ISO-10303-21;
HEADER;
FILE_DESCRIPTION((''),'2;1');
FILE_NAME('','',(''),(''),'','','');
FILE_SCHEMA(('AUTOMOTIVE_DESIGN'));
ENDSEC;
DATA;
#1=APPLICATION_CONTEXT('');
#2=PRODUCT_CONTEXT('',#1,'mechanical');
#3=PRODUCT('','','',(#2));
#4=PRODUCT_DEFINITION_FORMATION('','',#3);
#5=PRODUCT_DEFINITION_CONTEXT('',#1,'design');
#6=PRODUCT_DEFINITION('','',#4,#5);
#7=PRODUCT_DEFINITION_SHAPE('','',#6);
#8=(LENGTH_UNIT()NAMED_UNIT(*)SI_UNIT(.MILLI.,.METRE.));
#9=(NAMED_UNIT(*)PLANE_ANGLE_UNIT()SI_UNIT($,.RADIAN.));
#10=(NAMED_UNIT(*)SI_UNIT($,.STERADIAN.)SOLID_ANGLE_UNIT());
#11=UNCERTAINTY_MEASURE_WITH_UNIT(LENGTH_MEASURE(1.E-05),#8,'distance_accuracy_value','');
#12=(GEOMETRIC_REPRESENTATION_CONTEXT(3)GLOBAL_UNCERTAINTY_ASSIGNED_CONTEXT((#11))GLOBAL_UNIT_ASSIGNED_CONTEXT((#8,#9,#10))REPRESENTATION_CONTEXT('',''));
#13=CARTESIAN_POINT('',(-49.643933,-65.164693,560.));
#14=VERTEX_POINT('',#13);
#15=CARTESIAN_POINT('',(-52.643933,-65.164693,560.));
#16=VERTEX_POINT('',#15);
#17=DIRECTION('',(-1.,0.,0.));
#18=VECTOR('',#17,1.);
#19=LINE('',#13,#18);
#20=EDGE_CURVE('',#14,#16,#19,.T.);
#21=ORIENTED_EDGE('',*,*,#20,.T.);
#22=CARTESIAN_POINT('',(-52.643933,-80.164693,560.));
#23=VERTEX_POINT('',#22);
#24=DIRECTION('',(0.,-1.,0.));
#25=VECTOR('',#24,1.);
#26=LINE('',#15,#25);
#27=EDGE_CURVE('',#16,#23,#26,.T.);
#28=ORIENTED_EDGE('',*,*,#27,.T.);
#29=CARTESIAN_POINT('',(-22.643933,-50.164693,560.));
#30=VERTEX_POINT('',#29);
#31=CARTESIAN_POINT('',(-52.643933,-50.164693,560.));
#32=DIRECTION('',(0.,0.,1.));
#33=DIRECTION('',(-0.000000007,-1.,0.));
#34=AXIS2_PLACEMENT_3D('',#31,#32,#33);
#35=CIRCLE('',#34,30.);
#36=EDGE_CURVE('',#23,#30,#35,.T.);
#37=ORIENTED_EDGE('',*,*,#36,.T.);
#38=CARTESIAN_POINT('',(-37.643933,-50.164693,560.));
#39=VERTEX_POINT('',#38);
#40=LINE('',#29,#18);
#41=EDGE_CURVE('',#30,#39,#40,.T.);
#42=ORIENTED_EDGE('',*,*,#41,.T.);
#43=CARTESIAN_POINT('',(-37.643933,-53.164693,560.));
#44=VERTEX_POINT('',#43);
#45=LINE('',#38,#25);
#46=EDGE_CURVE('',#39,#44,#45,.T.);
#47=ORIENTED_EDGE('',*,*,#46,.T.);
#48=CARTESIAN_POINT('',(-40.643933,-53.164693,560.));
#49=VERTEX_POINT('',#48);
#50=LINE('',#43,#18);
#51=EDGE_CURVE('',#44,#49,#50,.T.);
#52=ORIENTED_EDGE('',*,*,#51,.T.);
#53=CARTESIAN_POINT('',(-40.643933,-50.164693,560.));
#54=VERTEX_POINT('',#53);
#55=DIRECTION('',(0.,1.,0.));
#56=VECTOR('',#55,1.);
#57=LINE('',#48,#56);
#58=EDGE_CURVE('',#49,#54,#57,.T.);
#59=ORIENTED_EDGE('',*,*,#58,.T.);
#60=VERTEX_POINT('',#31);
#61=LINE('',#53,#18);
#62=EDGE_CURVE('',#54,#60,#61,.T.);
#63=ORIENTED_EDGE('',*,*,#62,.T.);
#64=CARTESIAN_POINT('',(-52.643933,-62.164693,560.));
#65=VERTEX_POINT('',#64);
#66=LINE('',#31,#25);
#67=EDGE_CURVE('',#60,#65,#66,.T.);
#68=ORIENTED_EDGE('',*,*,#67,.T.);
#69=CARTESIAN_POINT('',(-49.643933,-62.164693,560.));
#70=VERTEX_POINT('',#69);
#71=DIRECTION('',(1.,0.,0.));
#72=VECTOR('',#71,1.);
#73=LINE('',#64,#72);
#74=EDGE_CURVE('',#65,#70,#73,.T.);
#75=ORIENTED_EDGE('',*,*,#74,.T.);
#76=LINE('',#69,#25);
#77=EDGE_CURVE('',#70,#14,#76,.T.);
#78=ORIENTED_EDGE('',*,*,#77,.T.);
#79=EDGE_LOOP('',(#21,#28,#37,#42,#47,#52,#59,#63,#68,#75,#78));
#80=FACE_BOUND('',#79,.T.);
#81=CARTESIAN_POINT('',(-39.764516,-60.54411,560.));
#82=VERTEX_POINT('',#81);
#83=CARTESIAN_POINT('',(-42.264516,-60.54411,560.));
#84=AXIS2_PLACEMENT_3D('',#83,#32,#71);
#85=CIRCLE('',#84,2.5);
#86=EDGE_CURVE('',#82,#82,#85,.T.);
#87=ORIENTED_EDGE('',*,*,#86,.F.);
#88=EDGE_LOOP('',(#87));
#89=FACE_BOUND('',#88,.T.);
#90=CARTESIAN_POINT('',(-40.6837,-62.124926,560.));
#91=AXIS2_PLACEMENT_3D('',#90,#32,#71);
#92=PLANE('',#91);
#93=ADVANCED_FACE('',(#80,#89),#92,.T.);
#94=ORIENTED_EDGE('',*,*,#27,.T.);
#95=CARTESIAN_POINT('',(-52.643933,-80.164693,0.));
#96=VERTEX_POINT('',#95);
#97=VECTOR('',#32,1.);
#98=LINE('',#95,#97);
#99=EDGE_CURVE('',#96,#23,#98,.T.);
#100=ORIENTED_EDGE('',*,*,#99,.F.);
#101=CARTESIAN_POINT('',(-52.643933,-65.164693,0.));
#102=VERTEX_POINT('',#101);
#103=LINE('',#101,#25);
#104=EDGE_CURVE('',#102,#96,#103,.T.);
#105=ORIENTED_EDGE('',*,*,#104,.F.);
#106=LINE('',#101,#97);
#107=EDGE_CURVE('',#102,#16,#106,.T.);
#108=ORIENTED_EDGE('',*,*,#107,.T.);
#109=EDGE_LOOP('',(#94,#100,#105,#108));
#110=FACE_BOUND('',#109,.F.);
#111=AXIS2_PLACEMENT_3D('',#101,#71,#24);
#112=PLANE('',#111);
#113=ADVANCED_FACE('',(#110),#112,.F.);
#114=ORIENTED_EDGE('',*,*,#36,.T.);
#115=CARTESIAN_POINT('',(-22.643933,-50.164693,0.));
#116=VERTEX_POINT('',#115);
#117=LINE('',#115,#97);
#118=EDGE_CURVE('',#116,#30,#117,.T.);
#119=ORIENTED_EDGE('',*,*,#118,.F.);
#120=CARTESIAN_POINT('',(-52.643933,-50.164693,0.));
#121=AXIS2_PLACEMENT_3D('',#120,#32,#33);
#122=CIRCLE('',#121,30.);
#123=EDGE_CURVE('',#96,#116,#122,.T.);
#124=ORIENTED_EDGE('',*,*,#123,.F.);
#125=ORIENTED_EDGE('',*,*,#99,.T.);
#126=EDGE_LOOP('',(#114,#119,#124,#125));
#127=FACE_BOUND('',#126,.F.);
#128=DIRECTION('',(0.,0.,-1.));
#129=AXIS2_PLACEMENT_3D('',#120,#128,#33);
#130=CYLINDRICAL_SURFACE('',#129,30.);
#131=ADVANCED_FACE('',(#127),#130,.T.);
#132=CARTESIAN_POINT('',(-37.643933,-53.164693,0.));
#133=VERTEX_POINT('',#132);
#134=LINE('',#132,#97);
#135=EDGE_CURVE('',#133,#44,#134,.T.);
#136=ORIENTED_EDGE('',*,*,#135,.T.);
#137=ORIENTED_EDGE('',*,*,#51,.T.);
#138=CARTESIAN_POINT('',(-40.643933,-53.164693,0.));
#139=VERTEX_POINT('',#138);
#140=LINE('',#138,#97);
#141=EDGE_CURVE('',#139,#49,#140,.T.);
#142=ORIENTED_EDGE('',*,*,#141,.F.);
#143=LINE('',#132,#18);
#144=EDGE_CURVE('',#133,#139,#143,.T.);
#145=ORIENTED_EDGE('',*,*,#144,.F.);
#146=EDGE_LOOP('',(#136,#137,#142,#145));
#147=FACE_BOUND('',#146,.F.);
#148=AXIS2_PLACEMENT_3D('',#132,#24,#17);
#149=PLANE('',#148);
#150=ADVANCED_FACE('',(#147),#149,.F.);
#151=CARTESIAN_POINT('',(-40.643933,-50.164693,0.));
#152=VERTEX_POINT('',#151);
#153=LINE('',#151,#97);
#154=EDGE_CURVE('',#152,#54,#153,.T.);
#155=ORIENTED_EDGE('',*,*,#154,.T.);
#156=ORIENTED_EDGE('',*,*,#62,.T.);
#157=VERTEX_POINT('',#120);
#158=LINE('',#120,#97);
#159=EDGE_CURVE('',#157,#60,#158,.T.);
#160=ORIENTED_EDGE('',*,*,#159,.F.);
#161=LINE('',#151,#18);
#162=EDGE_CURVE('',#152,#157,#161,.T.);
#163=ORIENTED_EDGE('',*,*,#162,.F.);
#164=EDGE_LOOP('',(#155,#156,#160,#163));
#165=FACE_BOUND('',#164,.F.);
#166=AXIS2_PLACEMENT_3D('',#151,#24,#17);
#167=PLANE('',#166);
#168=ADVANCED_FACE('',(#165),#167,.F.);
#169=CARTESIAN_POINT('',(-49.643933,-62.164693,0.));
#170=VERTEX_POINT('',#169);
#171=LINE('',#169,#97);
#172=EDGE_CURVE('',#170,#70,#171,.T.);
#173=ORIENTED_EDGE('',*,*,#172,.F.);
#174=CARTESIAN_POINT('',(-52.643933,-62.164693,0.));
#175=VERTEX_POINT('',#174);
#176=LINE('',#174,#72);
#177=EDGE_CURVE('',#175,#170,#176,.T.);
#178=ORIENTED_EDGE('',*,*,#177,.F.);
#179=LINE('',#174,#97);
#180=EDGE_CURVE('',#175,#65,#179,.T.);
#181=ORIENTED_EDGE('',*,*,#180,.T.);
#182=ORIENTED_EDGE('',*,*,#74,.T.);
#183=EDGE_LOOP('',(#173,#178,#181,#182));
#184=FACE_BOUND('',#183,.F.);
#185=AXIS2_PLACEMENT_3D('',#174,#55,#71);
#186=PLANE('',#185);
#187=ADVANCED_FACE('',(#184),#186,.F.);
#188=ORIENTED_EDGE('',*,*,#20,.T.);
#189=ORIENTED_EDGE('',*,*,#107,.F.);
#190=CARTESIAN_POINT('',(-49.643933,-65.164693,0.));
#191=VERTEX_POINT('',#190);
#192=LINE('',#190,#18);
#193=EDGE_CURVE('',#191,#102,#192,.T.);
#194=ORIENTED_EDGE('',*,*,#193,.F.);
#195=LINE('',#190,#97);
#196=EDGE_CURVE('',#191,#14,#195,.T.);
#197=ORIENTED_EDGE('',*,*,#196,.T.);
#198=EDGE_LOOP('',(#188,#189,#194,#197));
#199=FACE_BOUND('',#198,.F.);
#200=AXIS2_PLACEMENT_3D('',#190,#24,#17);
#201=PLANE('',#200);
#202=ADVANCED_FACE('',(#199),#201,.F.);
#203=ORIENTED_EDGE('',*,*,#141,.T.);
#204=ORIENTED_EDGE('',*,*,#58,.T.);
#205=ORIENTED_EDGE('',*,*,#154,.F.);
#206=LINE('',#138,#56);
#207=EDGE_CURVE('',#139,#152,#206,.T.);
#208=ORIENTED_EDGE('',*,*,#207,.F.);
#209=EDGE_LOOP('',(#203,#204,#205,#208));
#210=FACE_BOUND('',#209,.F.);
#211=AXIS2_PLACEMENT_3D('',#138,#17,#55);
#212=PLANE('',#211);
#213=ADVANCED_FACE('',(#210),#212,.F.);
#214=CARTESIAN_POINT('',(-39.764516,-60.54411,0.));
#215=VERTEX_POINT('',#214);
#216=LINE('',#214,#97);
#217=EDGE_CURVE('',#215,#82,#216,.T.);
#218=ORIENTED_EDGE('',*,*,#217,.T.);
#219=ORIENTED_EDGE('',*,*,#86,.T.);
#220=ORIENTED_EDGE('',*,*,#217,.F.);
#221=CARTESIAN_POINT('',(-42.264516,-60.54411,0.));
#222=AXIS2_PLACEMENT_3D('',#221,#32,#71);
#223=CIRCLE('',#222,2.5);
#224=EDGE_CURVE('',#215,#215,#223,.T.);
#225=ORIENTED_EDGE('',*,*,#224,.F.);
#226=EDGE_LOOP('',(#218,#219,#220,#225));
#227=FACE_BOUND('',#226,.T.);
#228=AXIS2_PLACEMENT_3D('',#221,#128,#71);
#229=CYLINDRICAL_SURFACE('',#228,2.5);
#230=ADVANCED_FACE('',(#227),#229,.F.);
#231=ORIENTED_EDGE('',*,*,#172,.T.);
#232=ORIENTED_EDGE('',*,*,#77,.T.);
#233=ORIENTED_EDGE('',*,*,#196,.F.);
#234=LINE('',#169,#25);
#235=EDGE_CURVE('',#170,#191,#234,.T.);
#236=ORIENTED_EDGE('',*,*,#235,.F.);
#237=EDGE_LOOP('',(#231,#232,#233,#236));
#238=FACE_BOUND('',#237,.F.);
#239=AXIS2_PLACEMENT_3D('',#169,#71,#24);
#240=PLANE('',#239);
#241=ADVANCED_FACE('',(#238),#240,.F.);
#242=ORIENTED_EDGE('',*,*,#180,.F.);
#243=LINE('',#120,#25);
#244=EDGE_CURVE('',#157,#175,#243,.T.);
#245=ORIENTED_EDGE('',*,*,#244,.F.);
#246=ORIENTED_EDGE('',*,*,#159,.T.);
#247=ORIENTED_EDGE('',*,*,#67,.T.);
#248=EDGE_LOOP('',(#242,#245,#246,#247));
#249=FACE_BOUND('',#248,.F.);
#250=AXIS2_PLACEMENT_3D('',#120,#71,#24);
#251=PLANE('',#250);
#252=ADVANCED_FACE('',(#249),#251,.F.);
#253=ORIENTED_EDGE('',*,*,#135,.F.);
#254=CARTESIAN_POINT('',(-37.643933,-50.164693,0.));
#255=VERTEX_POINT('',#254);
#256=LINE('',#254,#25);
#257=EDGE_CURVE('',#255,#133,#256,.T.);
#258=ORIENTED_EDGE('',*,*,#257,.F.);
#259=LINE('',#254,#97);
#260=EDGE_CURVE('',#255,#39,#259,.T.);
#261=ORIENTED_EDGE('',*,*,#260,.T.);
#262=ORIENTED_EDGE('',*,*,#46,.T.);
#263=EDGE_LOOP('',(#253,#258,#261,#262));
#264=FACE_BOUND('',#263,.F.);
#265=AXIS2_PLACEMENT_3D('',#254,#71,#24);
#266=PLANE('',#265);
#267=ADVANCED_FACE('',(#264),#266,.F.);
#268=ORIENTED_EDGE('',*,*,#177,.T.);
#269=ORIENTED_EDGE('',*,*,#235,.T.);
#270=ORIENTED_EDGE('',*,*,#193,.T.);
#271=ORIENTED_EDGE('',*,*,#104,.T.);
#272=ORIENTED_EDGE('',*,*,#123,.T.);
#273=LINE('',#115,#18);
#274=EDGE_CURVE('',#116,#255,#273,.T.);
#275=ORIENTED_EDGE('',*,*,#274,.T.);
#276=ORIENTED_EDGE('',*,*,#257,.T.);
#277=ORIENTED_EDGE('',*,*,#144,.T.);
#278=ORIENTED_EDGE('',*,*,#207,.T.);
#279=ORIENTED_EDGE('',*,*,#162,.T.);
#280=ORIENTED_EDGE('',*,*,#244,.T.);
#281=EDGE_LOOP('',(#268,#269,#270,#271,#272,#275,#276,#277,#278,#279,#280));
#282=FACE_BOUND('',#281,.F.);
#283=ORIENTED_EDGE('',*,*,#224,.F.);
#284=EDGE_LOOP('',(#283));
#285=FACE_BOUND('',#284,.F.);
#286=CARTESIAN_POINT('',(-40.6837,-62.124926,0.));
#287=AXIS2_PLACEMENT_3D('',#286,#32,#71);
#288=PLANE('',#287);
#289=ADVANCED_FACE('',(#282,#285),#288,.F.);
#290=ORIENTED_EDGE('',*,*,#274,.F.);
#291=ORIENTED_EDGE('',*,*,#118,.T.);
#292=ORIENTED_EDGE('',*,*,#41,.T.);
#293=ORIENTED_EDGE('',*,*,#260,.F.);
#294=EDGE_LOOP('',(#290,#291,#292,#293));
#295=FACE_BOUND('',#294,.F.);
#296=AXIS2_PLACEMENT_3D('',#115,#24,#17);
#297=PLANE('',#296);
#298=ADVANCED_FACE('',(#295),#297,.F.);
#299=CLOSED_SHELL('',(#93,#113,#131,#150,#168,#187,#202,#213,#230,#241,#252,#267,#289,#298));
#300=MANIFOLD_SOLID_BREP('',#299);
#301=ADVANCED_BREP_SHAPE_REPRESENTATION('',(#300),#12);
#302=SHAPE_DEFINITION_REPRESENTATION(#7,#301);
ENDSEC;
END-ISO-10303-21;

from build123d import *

# Parameters (mm, degrees)
F0_R     = 2.5
F1_DEPTH = 560


with BuildPart() as f1:
    # F0 (on Top) → F1 (new body)
    with BuildSketch(Plane.XY):
        with BuildLine():
            Line((-40.643933, -50.164693), (-52.643933, -50.164693))
            Line((-52.643933, -50.164693), (-52.643933, -62.164693))
            Line((-52.643933, -62.164693), (-49.643933, -62.164693))
            Line((-49.643933, -62.164693), (-49.643933, -65.164693))
            Line((-49.643933, -65.164693), (-52.643933, -65.164693))
            Line((-52.643933, -65.164693), (-52.643933, -80.164693))
            ThreePointArc((-52.643933, -80.164693), (-31.43073, -71.377897), (-22.643933, -50.164693))
            Line((-22.643933, -50.164693), (-37.643933, -50.164693))
            Line((-37.643933, -50.164693), (-37.643933, -53.164693))
            Line((-37.643933, -53.164693), (-40.643933, -53.164693))
            Line((-40.643933, -53.164693), (-40.643933, -50.164693))
        make_face()
        with Locations((-42.264516, -60.54411)):
            Circle(F0_R, mode=Mode.SUBTRACT)
    extrude(amount=F1_DEPTH)


solid = f1.part
